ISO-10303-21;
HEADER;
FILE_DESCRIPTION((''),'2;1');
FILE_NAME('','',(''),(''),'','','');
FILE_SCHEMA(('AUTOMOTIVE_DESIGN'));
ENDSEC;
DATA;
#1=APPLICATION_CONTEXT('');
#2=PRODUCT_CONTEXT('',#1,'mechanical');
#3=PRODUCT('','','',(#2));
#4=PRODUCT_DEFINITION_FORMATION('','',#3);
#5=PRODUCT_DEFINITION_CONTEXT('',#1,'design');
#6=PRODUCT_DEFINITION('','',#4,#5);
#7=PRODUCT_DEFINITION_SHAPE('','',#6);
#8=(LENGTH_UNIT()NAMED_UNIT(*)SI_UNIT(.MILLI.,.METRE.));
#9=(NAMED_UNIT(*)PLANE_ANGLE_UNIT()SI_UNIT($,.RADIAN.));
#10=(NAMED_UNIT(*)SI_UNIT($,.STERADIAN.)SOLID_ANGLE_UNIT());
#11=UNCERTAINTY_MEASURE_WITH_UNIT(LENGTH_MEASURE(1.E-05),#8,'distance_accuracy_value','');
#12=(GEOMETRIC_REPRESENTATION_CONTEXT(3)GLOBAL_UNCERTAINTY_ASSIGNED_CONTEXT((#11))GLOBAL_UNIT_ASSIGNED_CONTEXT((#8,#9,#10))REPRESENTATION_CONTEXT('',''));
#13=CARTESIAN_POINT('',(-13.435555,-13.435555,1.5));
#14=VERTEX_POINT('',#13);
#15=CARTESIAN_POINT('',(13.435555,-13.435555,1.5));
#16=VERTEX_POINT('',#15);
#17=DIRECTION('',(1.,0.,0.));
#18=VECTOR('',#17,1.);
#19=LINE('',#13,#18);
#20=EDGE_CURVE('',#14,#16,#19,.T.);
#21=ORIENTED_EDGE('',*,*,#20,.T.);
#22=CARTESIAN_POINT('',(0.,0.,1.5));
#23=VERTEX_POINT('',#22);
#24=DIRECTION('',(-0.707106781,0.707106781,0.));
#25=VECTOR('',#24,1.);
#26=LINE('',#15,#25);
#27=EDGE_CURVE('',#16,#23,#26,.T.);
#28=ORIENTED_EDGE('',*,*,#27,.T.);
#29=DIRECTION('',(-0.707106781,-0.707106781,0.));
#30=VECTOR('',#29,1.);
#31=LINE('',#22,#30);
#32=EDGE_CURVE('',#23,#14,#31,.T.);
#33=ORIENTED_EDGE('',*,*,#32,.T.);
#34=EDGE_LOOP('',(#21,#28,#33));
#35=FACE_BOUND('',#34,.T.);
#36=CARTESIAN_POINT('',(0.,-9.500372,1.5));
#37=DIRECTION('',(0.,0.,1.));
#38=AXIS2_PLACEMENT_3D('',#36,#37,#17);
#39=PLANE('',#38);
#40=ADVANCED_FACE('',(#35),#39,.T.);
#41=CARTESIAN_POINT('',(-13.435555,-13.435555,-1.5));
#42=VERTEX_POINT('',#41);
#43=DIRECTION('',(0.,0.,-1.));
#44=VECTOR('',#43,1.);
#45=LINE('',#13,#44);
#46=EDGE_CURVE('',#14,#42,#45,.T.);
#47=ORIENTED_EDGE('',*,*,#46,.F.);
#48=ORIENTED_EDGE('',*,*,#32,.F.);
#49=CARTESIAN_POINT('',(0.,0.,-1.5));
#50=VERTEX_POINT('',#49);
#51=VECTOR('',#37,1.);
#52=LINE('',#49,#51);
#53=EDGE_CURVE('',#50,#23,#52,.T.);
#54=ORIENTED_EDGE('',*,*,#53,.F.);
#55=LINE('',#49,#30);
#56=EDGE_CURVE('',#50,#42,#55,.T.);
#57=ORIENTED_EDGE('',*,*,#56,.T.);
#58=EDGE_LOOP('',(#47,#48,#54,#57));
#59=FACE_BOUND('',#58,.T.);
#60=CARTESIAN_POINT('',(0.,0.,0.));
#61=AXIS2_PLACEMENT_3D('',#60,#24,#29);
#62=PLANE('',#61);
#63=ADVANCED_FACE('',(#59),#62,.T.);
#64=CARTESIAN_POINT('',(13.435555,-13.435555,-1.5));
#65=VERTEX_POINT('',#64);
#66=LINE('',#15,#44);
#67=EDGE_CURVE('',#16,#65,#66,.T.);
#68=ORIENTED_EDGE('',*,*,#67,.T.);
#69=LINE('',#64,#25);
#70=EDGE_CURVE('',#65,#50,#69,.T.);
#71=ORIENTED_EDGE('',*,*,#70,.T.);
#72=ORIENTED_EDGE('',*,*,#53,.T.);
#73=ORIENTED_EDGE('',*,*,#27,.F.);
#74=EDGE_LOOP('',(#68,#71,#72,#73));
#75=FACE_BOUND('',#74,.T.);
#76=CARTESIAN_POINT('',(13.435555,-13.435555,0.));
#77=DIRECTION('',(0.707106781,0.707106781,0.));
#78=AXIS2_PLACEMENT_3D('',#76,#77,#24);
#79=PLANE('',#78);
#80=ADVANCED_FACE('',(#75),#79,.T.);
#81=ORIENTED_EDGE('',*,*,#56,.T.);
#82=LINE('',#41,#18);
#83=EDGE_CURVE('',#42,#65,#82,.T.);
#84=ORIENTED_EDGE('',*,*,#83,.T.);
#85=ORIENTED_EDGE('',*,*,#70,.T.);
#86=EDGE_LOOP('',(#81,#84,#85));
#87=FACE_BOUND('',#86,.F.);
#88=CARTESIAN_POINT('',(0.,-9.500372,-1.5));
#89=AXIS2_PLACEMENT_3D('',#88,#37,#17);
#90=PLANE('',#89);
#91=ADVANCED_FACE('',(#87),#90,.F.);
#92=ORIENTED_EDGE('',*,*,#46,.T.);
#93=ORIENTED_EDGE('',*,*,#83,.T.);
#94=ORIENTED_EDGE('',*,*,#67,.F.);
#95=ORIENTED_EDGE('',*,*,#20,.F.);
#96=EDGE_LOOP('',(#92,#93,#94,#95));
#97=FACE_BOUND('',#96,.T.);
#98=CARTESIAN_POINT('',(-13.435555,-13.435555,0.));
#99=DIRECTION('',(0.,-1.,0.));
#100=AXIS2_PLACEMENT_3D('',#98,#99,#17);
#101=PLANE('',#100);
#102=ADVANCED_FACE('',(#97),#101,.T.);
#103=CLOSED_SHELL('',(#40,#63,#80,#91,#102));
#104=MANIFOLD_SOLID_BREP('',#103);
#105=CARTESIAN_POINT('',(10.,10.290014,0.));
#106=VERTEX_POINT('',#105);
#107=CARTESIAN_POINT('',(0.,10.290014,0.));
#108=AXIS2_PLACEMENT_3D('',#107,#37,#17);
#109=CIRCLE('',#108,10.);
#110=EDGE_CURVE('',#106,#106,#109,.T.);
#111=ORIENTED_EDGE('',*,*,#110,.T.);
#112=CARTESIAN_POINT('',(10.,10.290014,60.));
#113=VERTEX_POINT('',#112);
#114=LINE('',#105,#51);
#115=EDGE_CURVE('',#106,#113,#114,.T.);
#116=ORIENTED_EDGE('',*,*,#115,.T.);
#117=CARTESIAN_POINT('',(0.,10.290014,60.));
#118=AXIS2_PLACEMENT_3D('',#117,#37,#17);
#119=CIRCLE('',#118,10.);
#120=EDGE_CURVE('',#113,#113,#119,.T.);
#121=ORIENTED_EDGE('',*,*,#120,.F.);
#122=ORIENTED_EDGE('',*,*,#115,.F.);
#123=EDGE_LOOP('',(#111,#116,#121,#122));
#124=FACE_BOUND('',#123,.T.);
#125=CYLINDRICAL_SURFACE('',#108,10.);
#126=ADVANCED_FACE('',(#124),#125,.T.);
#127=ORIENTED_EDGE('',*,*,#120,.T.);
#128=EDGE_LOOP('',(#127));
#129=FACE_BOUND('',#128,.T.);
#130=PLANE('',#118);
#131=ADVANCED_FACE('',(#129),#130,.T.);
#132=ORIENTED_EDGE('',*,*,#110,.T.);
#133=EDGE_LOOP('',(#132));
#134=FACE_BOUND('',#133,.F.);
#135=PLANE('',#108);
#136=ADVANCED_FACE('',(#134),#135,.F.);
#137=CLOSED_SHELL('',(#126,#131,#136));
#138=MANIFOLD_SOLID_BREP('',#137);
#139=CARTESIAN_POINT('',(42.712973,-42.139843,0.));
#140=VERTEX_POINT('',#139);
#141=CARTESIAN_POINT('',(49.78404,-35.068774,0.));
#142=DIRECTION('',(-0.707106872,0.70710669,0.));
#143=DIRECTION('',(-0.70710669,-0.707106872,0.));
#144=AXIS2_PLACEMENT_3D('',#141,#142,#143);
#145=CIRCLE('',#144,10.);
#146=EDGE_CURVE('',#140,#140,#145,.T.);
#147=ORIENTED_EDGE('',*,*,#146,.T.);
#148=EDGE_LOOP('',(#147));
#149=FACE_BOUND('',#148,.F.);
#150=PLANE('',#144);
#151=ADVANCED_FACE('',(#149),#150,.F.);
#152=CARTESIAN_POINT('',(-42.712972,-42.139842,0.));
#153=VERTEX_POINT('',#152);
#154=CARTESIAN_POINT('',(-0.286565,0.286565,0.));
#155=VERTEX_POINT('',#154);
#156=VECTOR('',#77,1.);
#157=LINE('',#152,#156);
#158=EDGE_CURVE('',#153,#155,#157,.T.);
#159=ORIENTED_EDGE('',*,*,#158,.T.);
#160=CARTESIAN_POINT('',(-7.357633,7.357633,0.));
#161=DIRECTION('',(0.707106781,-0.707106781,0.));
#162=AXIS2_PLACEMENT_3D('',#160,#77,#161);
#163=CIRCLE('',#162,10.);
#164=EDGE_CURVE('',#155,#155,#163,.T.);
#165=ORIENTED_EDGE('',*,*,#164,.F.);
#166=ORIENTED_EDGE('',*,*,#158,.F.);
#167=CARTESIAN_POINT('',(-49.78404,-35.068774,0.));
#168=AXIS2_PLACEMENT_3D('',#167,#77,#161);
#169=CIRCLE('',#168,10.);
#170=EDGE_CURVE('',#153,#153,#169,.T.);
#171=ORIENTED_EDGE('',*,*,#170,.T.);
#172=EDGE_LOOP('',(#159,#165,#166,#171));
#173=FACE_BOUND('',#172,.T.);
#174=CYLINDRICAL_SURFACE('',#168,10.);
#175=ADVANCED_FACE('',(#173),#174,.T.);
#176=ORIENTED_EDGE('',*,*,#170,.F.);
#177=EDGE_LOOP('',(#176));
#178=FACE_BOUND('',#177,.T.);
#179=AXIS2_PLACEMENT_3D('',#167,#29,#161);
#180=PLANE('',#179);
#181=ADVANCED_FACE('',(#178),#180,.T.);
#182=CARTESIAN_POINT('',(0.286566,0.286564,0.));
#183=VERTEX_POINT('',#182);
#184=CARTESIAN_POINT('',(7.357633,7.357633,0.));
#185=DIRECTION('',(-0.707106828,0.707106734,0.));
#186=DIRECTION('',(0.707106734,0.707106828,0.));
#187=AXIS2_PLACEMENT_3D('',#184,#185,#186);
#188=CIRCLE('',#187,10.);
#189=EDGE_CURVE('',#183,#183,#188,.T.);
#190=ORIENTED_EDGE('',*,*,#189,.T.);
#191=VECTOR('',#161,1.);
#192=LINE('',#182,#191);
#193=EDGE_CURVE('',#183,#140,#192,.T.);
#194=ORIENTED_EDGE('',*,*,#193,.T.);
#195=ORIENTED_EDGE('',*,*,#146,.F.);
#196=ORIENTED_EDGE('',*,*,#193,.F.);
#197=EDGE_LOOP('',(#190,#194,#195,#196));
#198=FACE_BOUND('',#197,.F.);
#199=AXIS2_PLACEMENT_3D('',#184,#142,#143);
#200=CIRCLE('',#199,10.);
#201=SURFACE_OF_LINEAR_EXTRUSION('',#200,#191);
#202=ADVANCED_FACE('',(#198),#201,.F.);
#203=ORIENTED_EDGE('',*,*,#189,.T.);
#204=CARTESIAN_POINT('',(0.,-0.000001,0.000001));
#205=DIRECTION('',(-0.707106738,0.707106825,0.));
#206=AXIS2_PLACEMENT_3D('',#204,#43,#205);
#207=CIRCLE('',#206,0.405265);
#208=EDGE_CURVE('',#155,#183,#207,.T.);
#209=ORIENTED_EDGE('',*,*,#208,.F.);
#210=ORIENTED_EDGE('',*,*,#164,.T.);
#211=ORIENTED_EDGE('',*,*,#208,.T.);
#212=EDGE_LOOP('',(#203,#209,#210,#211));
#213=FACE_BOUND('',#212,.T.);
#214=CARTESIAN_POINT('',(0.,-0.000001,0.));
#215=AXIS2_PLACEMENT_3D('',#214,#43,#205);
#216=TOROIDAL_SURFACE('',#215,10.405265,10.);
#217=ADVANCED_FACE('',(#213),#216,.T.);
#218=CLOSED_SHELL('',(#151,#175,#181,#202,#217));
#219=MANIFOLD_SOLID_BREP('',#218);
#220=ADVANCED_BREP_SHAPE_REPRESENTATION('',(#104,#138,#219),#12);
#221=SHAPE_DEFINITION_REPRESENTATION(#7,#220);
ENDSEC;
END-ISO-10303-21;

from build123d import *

# Parameters (mm, degrees)
F6_R     = 10
F2_R     = 10
F9_DEPTH = 1.5


with BuildPart() as f7:
    # F7: sweep along a path in F4
    with BuildLine(Plane.XZ.offset(-10)) as f7_path:
        Line((0, 0), (0, 60))
    # F6 (on offset) → F7 (sweep)
    with BuildSketch(Plane.XY.offset(60)):
        with Locations((0, 10.290014)):
            Circle(F6_R)
    sweep(path=f7_path.line)


with BuildPart() as f8:
    # F8: sweep along a path in F0
    with BuildLine(Plane.XY) as f8_path:
        Line((-49.497475, -35.355339), (-7.071068, 7.071068))
        ThreePointArc((-7.071068, 7.071068), (0, 10), (7.071068, 7.071068))
        Line((7.071068, 7.071068), (49.497475, -35.355339))
    # F2 (on face) → F8 (sweep)
    with BuildSketch(Plane(origin=(-42.426407, -42.426407, 0), x_dir=(0.707107, -0.707107, 0), z_dir=(-0.707107, -0.707107, 0))):
        with Locations((-10.405264, 0)):
            Circle(F2_R)
    sweep(path=f8_path.line)


with BuildPart() as f9:
    # F0 (on Top) → F9 (new body, symmetric)
    with BuildSketch(Plane.XY):
        Polygon((13.435555, -13.435555), (0, 0), (-13.435555, -13.435555), align=None)
    extrude(amount=F9_DEPTH, both=True)


solid = Compound([f7.part, f8.part, f9.part])
